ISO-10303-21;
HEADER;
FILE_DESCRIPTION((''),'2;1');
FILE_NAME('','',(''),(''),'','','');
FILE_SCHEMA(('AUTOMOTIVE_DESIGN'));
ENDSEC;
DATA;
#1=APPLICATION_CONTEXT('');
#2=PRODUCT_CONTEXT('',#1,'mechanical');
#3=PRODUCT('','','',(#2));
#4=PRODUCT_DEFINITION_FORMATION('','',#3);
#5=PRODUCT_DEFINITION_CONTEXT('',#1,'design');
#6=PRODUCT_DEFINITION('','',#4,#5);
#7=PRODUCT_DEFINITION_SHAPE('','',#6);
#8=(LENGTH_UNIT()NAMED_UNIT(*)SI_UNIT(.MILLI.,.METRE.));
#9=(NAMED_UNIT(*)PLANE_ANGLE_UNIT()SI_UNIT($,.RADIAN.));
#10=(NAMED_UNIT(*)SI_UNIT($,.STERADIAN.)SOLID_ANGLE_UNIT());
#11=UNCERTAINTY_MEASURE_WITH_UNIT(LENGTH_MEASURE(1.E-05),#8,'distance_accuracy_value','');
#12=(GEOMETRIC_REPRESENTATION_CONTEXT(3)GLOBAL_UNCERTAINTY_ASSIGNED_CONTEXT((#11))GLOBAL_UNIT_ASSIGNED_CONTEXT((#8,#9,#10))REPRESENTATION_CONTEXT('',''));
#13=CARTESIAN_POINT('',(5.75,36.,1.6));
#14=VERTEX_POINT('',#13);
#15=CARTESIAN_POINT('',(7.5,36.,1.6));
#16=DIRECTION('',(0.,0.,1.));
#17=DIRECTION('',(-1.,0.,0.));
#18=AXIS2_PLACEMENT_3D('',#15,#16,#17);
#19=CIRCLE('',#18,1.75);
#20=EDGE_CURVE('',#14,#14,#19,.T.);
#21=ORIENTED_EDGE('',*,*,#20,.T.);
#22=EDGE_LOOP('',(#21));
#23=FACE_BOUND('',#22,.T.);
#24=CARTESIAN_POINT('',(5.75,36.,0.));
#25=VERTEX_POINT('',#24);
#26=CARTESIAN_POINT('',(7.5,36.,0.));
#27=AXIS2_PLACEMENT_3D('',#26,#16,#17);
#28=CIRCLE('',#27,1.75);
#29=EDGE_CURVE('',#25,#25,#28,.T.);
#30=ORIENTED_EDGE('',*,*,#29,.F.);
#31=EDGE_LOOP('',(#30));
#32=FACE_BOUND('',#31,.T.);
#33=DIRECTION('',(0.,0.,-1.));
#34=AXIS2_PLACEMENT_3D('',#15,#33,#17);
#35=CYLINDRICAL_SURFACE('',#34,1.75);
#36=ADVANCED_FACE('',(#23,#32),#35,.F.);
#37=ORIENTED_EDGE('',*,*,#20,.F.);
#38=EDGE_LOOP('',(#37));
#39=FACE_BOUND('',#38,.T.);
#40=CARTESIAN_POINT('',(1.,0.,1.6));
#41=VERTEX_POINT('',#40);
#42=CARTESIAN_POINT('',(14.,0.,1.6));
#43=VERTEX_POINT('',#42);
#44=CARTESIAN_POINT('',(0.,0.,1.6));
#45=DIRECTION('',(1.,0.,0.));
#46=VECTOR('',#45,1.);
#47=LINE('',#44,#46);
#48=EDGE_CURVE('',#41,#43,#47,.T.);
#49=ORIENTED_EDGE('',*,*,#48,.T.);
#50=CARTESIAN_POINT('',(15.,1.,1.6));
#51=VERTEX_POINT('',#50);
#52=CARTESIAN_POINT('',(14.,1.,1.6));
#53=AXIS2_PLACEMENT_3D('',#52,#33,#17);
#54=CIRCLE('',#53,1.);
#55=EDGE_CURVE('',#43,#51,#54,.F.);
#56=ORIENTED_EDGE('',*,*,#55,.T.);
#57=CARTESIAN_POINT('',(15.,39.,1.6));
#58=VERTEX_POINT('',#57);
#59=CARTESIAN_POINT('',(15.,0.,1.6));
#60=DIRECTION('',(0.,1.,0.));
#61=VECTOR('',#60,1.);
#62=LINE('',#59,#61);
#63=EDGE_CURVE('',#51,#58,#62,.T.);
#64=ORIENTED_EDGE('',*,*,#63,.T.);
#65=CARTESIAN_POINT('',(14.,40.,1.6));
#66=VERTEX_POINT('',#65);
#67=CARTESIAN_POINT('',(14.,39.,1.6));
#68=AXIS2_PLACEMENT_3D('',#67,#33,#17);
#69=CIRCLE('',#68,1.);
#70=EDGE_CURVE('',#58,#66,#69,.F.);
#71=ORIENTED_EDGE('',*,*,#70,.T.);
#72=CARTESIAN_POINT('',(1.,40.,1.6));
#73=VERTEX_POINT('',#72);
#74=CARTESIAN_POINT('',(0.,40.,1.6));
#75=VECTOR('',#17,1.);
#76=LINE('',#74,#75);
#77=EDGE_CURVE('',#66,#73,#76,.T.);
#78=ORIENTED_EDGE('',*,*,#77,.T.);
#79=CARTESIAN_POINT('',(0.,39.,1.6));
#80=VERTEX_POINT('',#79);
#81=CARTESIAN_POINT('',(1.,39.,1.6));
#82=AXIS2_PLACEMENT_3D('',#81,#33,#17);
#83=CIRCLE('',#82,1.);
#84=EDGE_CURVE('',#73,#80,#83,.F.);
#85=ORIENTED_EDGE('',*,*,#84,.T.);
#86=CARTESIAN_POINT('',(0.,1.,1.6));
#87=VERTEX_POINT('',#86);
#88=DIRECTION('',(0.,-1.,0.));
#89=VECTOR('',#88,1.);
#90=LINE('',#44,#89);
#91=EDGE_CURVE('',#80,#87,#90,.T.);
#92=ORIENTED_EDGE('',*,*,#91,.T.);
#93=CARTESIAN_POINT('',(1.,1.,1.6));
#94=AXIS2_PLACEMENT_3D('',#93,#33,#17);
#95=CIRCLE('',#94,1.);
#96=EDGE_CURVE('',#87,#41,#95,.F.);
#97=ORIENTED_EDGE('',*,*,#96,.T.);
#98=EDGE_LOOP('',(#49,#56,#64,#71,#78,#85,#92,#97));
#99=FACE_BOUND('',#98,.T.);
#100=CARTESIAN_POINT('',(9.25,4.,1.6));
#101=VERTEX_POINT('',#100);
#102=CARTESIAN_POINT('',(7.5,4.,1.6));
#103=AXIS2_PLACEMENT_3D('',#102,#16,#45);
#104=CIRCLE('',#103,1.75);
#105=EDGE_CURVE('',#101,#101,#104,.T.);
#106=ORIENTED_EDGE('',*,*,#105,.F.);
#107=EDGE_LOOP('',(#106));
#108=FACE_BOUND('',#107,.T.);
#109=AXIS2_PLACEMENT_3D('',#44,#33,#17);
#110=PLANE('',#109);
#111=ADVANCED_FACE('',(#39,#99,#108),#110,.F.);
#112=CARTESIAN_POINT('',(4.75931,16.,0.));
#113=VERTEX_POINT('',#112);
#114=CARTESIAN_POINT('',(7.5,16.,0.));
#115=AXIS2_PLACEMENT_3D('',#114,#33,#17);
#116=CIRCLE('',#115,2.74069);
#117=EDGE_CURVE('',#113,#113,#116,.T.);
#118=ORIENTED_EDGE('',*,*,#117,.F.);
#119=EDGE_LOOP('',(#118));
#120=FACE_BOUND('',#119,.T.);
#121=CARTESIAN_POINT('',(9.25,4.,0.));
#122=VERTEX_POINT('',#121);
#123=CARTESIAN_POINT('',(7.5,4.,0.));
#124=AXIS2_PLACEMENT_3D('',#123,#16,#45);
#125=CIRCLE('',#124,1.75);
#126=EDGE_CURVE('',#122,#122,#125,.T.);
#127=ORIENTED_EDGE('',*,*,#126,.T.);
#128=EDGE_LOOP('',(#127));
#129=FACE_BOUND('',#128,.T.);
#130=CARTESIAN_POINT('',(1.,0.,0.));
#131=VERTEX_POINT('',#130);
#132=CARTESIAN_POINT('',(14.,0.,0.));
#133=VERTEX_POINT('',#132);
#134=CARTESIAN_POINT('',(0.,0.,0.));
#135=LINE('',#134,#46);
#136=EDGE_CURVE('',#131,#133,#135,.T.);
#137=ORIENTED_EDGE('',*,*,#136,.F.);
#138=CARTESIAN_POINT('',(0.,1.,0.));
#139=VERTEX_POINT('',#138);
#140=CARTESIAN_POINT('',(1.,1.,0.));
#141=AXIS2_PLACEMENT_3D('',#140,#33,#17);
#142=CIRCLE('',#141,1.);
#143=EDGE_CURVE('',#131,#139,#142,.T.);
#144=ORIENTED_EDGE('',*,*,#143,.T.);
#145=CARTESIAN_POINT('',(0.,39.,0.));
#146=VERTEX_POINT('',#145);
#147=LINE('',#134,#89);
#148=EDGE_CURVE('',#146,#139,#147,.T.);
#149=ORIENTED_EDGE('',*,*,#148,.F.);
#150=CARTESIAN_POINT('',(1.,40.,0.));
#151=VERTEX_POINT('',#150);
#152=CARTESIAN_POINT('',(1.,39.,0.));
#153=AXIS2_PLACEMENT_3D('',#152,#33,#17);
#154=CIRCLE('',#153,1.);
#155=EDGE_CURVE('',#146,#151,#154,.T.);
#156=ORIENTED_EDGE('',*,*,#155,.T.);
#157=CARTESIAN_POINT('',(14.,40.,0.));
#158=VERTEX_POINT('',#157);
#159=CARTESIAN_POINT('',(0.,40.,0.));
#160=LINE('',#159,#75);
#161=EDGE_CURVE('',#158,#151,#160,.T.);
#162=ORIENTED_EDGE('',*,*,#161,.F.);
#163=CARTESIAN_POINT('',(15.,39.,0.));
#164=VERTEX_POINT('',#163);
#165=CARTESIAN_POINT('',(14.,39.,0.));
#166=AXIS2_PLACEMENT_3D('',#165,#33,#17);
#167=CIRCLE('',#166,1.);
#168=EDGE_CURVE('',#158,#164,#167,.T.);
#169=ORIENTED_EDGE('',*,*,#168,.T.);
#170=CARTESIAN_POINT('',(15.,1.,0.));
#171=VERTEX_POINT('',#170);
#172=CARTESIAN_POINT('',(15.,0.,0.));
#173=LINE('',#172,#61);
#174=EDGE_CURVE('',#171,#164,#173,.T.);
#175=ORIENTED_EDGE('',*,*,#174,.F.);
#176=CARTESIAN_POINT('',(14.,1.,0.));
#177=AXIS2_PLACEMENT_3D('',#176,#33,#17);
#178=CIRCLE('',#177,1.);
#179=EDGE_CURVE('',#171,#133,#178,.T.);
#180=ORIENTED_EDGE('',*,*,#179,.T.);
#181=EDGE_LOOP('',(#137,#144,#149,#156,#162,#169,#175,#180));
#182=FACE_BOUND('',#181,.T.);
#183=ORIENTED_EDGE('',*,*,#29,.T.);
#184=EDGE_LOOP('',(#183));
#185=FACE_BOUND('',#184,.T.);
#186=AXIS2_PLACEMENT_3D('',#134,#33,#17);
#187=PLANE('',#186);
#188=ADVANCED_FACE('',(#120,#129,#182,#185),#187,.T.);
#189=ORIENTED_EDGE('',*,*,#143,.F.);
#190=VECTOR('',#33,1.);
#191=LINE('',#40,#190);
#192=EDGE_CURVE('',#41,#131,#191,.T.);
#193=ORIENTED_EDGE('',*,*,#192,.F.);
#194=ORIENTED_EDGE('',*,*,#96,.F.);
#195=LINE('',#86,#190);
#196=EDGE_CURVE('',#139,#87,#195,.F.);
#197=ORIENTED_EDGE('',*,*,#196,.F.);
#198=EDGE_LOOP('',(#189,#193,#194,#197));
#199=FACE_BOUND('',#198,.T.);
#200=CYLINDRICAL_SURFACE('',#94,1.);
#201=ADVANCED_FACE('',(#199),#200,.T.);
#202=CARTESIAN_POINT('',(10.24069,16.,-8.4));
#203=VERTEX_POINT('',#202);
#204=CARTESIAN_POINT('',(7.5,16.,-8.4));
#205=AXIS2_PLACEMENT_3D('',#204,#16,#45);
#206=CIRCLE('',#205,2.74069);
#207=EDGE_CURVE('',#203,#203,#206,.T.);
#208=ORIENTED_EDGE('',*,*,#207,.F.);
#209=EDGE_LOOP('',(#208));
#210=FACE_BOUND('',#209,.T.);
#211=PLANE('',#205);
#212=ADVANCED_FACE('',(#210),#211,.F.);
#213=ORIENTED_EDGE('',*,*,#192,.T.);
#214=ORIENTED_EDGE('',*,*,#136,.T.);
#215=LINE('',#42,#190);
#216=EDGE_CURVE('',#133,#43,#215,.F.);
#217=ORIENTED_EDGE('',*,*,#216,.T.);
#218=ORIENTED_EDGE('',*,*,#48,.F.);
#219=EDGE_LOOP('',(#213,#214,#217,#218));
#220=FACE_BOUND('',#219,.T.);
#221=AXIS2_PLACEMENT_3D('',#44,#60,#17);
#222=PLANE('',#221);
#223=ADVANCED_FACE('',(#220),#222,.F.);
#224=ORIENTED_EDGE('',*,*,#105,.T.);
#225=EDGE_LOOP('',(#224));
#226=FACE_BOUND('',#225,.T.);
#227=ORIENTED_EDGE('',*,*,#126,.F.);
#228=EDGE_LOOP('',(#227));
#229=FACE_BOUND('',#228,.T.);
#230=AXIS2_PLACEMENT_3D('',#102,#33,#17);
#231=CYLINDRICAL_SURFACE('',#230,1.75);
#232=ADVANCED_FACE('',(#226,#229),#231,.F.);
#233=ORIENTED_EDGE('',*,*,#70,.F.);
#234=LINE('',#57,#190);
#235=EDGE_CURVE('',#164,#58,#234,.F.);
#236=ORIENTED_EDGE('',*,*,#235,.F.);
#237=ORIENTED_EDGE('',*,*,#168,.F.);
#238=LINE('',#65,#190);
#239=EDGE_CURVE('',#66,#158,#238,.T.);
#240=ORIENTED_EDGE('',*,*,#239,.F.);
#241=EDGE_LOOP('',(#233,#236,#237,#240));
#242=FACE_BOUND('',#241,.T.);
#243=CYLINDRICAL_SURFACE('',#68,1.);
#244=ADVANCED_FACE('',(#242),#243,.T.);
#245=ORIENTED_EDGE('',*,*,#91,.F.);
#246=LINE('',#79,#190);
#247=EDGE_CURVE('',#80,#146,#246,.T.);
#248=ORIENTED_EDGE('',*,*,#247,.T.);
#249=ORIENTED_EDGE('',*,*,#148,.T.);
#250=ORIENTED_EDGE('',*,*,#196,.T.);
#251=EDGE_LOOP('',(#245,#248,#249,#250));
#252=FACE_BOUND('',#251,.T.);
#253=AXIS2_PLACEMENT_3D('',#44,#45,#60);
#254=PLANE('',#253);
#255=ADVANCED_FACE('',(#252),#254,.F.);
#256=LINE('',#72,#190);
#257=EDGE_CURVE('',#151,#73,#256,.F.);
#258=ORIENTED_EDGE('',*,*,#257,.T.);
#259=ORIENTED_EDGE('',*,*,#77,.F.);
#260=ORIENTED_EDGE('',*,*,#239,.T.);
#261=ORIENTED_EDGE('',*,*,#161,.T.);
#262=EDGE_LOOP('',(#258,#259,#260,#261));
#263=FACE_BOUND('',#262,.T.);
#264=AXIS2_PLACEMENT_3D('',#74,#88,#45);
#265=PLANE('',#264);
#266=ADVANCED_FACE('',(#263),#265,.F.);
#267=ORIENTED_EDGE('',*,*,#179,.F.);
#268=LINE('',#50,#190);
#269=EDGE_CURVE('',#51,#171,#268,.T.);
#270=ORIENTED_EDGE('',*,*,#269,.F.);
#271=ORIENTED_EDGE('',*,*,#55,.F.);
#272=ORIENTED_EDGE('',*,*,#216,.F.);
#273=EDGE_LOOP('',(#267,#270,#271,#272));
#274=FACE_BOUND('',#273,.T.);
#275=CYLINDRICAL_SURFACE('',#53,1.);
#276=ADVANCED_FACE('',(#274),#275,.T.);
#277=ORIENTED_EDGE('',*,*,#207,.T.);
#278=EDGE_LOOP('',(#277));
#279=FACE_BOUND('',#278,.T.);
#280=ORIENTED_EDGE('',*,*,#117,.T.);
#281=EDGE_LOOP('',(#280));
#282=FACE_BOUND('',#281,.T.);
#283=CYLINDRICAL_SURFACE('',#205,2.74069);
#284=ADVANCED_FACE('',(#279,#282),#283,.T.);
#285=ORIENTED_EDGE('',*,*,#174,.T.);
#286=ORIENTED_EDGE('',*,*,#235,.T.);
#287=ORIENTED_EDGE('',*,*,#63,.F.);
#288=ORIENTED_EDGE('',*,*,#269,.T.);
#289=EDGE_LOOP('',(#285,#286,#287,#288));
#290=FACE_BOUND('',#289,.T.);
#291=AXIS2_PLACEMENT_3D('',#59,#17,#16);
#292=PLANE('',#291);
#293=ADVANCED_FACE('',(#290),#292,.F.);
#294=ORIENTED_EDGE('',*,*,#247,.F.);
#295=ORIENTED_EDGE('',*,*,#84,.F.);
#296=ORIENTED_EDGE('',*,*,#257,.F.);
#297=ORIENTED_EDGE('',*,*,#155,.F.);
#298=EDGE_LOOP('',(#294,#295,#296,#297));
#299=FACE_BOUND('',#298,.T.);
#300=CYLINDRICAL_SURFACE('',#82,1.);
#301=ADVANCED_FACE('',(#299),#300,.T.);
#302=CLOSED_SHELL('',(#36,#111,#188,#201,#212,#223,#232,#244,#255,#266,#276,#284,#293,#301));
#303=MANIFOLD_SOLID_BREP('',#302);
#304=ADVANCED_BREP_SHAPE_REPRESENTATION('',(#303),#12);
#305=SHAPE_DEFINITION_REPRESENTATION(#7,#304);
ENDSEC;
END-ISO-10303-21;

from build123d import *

# Parameters (mm, degrees)
SKETCH1_W           = 15
SKETCH1_H           = 40
SKETCH1_R           = 1.75
BOSS_EXTRUDE1_DEPTH = 1.6
FILLET1_R           = 1
SKETCH2_R           = 2.740690201
BOSS_EXTRUDE2_DEPTH = 10


with BuildPart() as part:
    # Sketch1 → Boss-Extrude1 (new body)
    with BuildSketch(Plane.XY):
        with Locations((7.5, 20)):
            Rectangle(SKETCH1_W, SKETCH1_H)
        with Locations((7.5, 4)):
            Circle(SKETCH1_R, mode=Mode.SUBTRACT)
        with Locations(Location((7.5, 36, 0), (0, 0, 180))):
            Circle(SKETCH1_R, mode=Mode.SUBTRACT)
    extrude(amount=BOSS_EXTRUDE1_DEPTH)

    # Fillet1
    fillet1_edges = [part.edges().sort_by_distance(p)[0] for p in [
        (0, 40, 0.8),
        (15, 40, 0.8),
        (15, 0, 0.8),
        (0, 0, 0.8),
    ]]
    fillet(fillet1_edges, radius=FILLET1_R)

    # Sketch2 → Boss-Extrude2 (add)
    with BuildSketch(Plane.XY.offset(1.6)):
        with Locations((7.5, 16)):
            Circle(SKETCH2_R)
    extrude(amount=-BOSS_EXTRUDE2_DEPTH)


solid = part.part
